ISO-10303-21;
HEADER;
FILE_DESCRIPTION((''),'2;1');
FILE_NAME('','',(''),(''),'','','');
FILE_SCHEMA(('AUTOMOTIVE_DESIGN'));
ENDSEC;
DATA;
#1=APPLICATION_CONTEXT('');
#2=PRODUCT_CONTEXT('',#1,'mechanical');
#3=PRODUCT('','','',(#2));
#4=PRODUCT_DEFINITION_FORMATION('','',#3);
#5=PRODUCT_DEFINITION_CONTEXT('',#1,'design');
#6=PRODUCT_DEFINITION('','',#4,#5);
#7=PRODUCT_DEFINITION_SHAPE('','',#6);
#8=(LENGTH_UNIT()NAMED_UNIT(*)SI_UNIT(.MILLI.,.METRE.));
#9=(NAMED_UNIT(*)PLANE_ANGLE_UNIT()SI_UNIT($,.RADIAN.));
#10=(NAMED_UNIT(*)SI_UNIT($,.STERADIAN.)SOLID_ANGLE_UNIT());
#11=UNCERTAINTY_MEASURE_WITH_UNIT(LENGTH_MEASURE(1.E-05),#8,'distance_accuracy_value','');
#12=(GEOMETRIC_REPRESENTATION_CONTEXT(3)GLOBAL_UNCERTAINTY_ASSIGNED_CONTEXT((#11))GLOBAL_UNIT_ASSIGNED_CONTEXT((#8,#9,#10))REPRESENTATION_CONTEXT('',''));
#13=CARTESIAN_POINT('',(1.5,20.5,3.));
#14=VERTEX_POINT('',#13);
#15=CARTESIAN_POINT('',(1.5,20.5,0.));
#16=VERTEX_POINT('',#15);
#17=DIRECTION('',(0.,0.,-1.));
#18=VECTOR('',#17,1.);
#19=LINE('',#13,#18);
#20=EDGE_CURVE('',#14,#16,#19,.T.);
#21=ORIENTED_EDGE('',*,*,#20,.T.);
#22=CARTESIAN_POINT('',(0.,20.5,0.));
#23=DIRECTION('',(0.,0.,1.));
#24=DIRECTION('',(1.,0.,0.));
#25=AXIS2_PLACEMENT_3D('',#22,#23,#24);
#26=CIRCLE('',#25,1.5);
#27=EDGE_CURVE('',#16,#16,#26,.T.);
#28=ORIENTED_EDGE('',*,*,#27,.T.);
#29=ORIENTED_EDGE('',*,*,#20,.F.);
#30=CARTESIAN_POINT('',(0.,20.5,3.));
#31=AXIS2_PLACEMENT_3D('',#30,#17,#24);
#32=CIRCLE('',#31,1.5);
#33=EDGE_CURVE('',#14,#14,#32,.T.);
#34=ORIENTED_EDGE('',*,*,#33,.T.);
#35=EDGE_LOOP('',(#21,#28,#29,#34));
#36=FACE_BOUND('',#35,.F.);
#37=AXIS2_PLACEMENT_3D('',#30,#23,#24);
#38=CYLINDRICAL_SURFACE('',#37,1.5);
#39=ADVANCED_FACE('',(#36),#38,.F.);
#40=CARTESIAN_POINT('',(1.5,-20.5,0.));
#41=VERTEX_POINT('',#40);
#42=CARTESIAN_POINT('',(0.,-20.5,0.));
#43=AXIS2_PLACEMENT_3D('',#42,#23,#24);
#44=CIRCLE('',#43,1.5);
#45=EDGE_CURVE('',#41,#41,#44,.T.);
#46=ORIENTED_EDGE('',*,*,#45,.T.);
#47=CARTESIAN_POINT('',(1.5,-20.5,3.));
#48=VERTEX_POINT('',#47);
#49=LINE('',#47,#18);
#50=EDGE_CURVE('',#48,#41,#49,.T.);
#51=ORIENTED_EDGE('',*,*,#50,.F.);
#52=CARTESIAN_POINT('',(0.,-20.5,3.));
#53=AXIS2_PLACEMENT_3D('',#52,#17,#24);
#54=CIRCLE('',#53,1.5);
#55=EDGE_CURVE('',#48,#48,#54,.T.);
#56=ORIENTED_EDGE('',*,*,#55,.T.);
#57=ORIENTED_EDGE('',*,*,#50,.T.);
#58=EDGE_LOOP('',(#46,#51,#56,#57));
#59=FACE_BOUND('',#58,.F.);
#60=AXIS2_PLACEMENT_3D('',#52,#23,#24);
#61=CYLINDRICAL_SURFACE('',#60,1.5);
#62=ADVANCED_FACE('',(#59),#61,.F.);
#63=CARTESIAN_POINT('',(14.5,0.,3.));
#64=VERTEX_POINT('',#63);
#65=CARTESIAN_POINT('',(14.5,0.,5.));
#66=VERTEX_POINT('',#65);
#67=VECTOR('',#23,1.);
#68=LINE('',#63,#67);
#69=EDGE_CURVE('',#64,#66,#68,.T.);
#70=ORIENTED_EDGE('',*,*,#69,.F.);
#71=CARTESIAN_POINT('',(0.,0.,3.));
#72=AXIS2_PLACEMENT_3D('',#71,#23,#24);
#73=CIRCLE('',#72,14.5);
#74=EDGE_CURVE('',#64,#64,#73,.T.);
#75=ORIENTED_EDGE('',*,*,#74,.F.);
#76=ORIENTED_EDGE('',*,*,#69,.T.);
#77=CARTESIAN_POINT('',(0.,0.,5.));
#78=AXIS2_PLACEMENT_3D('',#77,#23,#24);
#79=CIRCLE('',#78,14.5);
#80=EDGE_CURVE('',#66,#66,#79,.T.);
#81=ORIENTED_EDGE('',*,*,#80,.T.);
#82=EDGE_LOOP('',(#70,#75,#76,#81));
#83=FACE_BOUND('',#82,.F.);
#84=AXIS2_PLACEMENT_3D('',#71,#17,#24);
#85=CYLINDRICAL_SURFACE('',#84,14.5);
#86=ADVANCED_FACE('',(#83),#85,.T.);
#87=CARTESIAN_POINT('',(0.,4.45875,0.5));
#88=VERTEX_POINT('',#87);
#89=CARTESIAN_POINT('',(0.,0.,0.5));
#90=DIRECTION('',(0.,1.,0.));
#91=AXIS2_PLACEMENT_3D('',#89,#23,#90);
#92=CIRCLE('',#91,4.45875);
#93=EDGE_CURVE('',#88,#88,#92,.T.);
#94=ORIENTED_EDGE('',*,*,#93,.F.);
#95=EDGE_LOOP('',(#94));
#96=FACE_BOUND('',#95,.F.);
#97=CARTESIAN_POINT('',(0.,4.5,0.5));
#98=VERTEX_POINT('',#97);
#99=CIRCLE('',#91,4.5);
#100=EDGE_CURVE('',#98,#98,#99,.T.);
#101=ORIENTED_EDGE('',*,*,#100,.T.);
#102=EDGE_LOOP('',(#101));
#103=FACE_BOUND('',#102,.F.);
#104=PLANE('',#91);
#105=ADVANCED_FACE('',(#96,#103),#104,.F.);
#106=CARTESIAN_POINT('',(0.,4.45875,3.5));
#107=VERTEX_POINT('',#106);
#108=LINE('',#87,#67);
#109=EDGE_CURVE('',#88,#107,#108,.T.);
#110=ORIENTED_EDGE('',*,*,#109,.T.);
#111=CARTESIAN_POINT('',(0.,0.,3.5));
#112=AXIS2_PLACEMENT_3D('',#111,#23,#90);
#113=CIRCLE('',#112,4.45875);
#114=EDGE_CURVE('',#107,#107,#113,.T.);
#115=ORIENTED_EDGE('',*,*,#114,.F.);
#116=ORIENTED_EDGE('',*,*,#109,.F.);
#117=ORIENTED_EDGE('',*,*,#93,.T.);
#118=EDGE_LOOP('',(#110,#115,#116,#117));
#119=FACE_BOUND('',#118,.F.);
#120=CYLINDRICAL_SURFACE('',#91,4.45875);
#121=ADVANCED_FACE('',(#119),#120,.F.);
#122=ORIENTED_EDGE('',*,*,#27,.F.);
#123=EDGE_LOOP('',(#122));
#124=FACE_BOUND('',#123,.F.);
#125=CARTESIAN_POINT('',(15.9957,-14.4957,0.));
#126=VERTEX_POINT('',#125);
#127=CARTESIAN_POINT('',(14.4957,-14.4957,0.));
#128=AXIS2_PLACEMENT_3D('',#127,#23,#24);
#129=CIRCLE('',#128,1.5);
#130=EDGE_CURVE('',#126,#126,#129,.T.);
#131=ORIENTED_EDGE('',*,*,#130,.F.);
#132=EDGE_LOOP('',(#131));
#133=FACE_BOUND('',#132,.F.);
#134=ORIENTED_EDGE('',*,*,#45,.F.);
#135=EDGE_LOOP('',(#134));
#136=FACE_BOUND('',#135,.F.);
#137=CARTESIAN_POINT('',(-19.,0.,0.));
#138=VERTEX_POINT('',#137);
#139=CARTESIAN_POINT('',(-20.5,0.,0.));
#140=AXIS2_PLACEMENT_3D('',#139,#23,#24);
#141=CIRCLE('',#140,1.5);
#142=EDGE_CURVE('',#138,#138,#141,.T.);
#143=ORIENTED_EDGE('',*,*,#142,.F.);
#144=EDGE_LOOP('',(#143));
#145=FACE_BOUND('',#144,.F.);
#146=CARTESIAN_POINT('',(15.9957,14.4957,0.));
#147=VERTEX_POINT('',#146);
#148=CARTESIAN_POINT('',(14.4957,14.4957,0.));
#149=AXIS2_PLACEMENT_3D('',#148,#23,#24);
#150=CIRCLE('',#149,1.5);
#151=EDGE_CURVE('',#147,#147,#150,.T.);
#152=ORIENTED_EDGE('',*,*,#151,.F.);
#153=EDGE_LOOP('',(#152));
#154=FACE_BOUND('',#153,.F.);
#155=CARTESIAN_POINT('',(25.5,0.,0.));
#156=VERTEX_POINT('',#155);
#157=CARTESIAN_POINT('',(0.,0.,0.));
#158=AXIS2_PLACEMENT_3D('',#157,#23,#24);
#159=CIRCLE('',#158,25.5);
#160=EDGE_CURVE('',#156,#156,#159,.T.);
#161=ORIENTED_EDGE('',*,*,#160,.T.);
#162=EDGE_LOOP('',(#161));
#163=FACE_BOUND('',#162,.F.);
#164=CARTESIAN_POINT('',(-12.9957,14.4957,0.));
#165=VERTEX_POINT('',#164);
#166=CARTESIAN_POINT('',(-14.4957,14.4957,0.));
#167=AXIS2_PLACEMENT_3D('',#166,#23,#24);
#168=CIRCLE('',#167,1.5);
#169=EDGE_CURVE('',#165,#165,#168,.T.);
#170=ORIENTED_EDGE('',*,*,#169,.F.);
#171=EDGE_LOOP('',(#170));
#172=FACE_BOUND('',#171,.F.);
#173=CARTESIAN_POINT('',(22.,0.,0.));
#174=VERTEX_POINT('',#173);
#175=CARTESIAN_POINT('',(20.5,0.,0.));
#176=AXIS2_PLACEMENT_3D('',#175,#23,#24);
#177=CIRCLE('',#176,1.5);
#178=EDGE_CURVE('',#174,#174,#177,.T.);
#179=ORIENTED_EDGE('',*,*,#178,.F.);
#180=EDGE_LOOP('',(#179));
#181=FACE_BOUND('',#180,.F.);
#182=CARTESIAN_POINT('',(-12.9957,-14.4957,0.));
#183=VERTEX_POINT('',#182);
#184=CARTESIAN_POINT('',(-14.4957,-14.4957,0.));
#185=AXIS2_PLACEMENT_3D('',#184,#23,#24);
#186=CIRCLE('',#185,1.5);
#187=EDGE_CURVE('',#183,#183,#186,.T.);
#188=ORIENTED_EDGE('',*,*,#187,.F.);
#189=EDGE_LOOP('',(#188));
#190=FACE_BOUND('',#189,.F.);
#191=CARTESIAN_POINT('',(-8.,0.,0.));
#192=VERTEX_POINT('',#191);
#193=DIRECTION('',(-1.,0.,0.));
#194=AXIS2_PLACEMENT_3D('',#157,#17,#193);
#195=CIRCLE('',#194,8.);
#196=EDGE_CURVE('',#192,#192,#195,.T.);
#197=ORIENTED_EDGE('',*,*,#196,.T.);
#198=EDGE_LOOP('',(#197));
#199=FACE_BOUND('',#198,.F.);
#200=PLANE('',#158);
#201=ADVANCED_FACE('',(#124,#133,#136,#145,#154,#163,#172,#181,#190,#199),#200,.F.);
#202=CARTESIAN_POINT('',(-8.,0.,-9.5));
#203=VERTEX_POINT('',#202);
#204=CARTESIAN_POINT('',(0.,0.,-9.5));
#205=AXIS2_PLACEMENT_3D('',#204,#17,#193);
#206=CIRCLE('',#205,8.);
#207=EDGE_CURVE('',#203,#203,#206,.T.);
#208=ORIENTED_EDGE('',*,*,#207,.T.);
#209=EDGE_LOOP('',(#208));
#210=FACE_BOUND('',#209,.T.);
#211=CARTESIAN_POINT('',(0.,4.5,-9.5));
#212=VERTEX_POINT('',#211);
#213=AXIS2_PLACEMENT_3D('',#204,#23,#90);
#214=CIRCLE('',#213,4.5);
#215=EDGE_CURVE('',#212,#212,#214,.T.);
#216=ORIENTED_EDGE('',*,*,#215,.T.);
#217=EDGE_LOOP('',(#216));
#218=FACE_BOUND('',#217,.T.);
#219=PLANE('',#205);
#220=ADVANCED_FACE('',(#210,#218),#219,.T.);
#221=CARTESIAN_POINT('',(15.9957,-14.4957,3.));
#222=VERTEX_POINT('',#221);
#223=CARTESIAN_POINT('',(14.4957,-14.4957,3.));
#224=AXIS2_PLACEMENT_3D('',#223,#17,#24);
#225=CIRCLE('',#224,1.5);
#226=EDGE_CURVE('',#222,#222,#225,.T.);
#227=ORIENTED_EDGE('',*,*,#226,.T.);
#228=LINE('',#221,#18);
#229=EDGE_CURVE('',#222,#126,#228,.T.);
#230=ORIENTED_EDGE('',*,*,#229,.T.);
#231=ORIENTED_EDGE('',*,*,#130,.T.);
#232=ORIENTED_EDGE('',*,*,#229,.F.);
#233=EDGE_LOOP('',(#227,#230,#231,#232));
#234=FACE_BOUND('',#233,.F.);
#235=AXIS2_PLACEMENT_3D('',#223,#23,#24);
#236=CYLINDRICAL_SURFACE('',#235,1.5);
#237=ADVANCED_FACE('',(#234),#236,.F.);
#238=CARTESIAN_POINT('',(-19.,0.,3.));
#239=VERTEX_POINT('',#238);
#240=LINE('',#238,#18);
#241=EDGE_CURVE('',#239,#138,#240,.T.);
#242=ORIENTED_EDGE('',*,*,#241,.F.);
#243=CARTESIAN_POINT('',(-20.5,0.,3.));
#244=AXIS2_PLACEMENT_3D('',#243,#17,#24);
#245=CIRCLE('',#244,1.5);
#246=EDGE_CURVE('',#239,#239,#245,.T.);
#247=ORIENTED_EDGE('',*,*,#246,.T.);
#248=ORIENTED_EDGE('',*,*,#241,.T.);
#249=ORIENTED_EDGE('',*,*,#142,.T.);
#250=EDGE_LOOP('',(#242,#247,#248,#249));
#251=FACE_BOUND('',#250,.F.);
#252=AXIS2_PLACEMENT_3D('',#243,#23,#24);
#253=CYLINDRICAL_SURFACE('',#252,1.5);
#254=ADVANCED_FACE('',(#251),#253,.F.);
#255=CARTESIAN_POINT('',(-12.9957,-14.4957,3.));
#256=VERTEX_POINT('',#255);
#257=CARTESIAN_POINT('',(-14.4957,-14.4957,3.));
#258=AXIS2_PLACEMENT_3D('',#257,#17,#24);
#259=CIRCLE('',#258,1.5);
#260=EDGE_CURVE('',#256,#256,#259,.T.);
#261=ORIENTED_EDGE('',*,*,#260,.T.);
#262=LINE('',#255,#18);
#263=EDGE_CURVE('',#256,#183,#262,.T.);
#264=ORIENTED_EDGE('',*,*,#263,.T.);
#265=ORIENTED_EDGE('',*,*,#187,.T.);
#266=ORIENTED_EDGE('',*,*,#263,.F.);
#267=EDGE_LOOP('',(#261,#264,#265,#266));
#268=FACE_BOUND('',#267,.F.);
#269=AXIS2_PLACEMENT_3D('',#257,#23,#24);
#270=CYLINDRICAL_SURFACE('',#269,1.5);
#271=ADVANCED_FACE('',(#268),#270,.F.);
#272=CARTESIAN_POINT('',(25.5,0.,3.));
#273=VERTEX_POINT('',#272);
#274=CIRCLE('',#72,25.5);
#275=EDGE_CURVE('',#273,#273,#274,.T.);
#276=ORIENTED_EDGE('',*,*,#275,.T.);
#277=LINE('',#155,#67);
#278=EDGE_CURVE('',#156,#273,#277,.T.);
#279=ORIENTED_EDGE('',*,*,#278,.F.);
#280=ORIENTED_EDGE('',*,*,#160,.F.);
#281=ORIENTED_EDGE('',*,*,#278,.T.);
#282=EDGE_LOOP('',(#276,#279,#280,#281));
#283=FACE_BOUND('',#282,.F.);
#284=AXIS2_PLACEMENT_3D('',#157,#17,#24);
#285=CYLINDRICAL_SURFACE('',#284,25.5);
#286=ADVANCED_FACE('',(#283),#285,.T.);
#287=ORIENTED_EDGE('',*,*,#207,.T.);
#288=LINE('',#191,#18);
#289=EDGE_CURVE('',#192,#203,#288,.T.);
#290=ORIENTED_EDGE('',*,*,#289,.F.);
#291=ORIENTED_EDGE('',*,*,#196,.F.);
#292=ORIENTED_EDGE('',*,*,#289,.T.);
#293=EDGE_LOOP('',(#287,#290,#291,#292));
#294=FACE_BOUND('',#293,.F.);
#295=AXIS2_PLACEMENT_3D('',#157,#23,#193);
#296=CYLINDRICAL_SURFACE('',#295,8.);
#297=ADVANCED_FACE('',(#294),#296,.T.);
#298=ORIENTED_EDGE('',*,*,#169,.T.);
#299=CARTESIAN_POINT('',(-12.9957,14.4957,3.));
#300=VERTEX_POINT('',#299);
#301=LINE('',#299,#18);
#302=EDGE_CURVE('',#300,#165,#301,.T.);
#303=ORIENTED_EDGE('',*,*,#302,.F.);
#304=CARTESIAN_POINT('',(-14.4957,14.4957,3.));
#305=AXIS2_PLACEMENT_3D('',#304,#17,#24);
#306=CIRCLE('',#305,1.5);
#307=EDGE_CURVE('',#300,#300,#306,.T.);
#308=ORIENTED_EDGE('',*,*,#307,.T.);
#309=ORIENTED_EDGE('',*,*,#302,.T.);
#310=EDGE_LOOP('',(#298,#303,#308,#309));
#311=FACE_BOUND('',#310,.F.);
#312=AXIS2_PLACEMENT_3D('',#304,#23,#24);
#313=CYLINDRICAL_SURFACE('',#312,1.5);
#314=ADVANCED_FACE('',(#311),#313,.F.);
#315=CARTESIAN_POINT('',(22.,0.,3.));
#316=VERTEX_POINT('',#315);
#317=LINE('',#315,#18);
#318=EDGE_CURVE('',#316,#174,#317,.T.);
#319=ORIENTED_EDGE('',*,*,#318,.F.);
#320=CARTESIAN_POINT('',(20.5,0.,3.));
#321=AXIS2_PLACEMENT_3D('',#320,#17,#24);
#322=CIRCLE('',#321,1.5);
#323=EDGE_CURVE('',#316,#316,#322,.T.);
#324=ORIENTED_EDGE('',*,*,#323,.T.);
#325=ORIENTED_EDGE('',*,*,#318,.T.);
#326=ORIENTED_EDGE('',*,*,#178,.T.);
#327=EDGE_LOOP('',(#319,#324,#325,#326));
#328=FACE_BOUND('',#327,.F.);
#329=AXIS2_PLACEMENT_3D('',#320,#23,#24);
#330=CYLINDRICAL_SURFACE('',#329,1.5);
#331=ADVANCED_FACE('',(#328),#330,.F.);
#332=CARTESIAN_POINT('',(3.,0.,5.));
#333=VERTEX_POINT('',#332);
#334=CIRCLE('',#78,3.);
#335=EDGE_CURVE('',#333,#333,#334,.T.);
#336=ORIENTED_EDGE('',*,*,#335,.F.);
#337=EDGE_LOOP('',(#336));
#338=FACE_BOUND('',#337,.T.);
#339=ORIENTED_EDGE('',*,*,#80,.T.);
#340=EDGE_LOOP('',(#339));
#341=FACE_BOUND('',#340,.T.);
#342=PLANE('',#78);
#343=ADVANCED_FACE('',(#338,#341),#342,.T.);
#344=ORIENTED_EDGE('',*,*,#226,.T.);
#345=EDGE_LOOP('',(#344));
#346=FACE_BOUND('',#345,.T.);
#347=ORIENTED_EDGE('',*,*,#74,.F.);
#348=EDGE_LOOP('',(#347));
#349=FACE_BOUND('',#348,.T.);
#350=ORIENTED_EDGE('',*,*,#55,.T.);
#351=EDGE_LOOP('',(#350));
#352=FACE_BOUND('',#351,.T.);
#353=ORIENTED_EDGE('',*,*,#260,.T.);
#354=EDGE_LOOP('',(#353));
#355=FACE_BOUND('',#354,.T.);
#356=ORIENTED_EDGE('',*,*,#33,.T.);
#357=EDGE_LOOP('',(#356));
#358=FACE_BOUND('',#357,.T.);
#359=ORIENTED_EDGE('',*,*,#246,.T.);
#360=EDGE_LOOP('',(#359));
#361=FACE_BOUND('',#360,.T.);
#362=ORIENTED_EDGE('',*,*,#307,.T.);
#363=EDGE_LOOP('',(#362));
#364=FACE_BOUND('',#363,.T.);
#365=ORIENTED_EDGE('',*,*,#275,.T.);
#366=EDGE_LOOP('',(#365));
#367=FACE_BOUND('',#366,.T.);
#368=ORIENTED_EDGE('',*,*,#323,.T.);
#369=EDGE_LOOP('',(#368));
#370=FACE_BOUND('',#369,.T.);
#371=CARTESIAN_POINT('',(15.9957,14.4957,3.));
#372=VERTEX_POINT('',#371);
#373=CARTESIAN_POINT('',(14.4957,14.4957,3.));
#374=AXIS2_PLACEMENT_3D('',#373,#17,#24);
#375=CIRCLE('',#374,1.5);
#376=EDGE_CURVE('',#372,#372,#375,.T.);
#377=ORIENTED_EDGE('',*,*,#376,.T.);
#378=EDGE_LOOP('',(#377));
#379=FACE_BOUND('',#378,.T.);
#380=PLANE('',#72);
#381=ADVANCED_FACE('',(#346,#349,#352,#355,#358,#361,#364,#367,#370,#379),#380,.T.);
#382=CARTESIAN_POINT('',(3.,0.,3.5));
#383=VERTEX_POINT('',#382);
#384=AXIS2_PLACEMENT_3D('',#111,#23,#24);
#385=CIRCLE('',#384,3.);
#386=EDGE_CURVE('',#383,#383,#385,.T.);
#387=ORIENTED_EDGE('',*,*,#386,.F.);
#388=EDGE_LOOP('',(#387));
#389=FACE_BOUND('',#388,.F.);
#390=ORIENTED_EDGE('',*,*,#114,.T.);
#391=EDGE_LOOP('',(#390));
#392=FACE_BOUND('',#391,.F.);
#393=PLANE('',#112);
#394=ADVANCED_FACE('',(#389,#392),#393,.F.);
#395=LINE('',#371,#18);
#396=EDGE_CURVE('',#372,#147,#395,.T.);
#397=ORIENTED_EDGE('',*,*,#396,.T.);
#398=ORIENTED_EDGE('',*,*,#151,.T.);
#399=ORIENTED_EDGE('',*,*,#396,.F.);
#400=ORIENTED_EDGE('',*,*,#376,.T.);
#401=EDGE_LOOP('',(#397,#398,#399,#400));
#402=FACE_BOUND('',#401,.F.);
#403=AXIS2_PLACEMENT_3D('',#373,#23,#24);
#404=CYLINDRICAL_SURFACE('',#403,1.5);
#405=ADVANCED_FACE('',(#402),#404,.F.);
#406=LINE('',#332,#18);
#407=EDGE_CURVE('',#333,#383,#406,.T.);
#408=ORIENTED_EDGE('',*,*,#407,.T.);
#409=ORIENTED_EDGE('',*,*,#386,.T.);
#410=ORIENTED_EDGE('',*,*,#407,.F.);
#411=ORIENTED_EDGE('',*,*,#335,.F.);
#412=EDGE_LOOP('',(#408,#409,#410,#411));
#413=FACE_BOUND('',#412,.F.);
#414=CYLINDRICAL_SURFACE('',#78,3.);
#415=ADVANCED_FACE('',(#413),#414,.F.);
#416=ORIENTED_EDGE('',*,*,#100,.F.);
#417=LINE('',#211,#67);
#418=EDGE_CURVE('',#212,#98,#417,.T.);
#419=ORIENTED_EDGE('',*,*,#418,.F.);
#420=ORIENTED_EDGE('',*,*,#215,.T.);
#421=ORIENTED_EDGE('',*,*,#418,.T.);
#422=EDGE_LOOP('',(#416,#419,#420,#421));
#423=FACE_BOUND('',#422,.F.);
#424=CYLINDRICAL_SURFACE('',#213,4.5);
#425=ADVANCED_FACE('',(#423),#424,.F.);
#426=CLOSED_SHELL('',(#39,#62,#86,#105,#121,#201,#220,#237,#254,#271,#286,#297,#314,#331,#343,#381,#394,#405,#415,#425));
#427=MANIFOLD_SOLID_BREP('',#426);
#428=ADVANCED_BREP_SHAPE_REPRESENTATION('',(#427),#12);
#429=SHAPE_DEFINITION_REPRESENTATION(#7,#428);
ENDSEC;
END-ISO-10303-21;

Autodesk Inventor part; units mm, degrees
ref_plane "YZ Plane" through (0, 0, 0) normal (1, 0, 0) x (0, 1, 0)
ref_plane "XZ Plane" through (0, 0, 0) normal (0, 1, 0) x (-1, 0, 0)
ref_plane "XY Plane" through (0, 0, 0) normal (0, 0, 1) x (1, 0, 0)
sketch "Sketch1" plane through (0, 0, 0) normal (0, 0, 1) x (1, 0, 0)
  circle A0 centre (0, 0) radius 25.5
  dimension "d0" = 51
extrude "Extrusion1" add sketch "Sketch1" along normal blind 3
sketch "Sketch2" plane through (0, 0, 3) normal (0, 0, 1) x (1, 0, 0)
  circle A0 centre (0, 0) radius 25.5 projected
  circle A1 centre (0, 0) radius 14.5
  dimension "d3" = 29
extrude "Extrusion2" add sketch "Sketch2" along normal blind 2 contours A1
sketch "Sketch3" plane through (0, 0, 0) normal (0, 0, -1) x (-1, 0, 0)
  circle A0 centre (0, 0) radius 25.5 projected
  circle A1 centre (0, 0) radius 8
  dimension "d6" = 16
extrude "Extrusion3" add sketch "Sketch3" along normal blind 9.5 contours A1
sketch "Sketch4" plane through (0, 0, 5) normal (0, 0, 1) x (1, 0, 0)
  circle A0 centre (0, 0) radius 14.5 projected
  circle A1 centre (0, 0) radius 3
  dimension "d9" = 6
extrude "Extrusion4" cut sketch "Sketch4" against normal through all contours A1
sketch "Sketch5" plane through (0, 0, 3) normal (0, 0, 1) x (1, 0, 0)
  circle A0 centre (0, 0) radius 25.5 projected
  circle A1 centre (0, 0) radius 20.5
  circle A2 centre (0, 20.5) radius 1.5
  circle A3 centre (-14.4957, 14.4957) radius 1.5
  circle A4 centre (-20.5, 0) radius 1.5
  circle A5 centre (-14.4957, -14.4957) radius 1.5
  circle A6 centre (0, -20.5) radius 1.5
  circle A7 centre (14.4957, -14.4957) radius 1.5
  circle A8 centre (20.5, 0) radius 1.5
  circle A9 centre (14.4957, 14.4957) radius 1.5
  dimension "d12" = 41
  dimension "d13" = 3
  dimension "d16" = 360
extrude "Extrusion5" cut sketch "Sketch5" against normal through all contours A1 A8 | A1 A8 | A9 A1 | A1 A9 | A7 A1 | A1 A7 | A2 A1 | A1 A2 | A6 A1 | A1 A6 | A3 A1 | A1 A3 | A5 A1 | A1 A5 | A4 A1 | A1 A4
sketch "Sketch6" plane through (0, 0, -9.5) normal (0, 0, -1) x (-1, 0, 0)
  circle A0 centre (0, 0) radius 3 projected
hole "Hole1" at (0, 0, -9.5) direction (0, 0, 1) diameter 8.9175 depth 13 counterbore diameter 9 counterbore depth 10 thread size "M10x1" class "6H" standard "ANSI Metric M Profile"
properties part number "08 CYLINDER REAR COVER" material "Steel AISI 1020 107 HR"
